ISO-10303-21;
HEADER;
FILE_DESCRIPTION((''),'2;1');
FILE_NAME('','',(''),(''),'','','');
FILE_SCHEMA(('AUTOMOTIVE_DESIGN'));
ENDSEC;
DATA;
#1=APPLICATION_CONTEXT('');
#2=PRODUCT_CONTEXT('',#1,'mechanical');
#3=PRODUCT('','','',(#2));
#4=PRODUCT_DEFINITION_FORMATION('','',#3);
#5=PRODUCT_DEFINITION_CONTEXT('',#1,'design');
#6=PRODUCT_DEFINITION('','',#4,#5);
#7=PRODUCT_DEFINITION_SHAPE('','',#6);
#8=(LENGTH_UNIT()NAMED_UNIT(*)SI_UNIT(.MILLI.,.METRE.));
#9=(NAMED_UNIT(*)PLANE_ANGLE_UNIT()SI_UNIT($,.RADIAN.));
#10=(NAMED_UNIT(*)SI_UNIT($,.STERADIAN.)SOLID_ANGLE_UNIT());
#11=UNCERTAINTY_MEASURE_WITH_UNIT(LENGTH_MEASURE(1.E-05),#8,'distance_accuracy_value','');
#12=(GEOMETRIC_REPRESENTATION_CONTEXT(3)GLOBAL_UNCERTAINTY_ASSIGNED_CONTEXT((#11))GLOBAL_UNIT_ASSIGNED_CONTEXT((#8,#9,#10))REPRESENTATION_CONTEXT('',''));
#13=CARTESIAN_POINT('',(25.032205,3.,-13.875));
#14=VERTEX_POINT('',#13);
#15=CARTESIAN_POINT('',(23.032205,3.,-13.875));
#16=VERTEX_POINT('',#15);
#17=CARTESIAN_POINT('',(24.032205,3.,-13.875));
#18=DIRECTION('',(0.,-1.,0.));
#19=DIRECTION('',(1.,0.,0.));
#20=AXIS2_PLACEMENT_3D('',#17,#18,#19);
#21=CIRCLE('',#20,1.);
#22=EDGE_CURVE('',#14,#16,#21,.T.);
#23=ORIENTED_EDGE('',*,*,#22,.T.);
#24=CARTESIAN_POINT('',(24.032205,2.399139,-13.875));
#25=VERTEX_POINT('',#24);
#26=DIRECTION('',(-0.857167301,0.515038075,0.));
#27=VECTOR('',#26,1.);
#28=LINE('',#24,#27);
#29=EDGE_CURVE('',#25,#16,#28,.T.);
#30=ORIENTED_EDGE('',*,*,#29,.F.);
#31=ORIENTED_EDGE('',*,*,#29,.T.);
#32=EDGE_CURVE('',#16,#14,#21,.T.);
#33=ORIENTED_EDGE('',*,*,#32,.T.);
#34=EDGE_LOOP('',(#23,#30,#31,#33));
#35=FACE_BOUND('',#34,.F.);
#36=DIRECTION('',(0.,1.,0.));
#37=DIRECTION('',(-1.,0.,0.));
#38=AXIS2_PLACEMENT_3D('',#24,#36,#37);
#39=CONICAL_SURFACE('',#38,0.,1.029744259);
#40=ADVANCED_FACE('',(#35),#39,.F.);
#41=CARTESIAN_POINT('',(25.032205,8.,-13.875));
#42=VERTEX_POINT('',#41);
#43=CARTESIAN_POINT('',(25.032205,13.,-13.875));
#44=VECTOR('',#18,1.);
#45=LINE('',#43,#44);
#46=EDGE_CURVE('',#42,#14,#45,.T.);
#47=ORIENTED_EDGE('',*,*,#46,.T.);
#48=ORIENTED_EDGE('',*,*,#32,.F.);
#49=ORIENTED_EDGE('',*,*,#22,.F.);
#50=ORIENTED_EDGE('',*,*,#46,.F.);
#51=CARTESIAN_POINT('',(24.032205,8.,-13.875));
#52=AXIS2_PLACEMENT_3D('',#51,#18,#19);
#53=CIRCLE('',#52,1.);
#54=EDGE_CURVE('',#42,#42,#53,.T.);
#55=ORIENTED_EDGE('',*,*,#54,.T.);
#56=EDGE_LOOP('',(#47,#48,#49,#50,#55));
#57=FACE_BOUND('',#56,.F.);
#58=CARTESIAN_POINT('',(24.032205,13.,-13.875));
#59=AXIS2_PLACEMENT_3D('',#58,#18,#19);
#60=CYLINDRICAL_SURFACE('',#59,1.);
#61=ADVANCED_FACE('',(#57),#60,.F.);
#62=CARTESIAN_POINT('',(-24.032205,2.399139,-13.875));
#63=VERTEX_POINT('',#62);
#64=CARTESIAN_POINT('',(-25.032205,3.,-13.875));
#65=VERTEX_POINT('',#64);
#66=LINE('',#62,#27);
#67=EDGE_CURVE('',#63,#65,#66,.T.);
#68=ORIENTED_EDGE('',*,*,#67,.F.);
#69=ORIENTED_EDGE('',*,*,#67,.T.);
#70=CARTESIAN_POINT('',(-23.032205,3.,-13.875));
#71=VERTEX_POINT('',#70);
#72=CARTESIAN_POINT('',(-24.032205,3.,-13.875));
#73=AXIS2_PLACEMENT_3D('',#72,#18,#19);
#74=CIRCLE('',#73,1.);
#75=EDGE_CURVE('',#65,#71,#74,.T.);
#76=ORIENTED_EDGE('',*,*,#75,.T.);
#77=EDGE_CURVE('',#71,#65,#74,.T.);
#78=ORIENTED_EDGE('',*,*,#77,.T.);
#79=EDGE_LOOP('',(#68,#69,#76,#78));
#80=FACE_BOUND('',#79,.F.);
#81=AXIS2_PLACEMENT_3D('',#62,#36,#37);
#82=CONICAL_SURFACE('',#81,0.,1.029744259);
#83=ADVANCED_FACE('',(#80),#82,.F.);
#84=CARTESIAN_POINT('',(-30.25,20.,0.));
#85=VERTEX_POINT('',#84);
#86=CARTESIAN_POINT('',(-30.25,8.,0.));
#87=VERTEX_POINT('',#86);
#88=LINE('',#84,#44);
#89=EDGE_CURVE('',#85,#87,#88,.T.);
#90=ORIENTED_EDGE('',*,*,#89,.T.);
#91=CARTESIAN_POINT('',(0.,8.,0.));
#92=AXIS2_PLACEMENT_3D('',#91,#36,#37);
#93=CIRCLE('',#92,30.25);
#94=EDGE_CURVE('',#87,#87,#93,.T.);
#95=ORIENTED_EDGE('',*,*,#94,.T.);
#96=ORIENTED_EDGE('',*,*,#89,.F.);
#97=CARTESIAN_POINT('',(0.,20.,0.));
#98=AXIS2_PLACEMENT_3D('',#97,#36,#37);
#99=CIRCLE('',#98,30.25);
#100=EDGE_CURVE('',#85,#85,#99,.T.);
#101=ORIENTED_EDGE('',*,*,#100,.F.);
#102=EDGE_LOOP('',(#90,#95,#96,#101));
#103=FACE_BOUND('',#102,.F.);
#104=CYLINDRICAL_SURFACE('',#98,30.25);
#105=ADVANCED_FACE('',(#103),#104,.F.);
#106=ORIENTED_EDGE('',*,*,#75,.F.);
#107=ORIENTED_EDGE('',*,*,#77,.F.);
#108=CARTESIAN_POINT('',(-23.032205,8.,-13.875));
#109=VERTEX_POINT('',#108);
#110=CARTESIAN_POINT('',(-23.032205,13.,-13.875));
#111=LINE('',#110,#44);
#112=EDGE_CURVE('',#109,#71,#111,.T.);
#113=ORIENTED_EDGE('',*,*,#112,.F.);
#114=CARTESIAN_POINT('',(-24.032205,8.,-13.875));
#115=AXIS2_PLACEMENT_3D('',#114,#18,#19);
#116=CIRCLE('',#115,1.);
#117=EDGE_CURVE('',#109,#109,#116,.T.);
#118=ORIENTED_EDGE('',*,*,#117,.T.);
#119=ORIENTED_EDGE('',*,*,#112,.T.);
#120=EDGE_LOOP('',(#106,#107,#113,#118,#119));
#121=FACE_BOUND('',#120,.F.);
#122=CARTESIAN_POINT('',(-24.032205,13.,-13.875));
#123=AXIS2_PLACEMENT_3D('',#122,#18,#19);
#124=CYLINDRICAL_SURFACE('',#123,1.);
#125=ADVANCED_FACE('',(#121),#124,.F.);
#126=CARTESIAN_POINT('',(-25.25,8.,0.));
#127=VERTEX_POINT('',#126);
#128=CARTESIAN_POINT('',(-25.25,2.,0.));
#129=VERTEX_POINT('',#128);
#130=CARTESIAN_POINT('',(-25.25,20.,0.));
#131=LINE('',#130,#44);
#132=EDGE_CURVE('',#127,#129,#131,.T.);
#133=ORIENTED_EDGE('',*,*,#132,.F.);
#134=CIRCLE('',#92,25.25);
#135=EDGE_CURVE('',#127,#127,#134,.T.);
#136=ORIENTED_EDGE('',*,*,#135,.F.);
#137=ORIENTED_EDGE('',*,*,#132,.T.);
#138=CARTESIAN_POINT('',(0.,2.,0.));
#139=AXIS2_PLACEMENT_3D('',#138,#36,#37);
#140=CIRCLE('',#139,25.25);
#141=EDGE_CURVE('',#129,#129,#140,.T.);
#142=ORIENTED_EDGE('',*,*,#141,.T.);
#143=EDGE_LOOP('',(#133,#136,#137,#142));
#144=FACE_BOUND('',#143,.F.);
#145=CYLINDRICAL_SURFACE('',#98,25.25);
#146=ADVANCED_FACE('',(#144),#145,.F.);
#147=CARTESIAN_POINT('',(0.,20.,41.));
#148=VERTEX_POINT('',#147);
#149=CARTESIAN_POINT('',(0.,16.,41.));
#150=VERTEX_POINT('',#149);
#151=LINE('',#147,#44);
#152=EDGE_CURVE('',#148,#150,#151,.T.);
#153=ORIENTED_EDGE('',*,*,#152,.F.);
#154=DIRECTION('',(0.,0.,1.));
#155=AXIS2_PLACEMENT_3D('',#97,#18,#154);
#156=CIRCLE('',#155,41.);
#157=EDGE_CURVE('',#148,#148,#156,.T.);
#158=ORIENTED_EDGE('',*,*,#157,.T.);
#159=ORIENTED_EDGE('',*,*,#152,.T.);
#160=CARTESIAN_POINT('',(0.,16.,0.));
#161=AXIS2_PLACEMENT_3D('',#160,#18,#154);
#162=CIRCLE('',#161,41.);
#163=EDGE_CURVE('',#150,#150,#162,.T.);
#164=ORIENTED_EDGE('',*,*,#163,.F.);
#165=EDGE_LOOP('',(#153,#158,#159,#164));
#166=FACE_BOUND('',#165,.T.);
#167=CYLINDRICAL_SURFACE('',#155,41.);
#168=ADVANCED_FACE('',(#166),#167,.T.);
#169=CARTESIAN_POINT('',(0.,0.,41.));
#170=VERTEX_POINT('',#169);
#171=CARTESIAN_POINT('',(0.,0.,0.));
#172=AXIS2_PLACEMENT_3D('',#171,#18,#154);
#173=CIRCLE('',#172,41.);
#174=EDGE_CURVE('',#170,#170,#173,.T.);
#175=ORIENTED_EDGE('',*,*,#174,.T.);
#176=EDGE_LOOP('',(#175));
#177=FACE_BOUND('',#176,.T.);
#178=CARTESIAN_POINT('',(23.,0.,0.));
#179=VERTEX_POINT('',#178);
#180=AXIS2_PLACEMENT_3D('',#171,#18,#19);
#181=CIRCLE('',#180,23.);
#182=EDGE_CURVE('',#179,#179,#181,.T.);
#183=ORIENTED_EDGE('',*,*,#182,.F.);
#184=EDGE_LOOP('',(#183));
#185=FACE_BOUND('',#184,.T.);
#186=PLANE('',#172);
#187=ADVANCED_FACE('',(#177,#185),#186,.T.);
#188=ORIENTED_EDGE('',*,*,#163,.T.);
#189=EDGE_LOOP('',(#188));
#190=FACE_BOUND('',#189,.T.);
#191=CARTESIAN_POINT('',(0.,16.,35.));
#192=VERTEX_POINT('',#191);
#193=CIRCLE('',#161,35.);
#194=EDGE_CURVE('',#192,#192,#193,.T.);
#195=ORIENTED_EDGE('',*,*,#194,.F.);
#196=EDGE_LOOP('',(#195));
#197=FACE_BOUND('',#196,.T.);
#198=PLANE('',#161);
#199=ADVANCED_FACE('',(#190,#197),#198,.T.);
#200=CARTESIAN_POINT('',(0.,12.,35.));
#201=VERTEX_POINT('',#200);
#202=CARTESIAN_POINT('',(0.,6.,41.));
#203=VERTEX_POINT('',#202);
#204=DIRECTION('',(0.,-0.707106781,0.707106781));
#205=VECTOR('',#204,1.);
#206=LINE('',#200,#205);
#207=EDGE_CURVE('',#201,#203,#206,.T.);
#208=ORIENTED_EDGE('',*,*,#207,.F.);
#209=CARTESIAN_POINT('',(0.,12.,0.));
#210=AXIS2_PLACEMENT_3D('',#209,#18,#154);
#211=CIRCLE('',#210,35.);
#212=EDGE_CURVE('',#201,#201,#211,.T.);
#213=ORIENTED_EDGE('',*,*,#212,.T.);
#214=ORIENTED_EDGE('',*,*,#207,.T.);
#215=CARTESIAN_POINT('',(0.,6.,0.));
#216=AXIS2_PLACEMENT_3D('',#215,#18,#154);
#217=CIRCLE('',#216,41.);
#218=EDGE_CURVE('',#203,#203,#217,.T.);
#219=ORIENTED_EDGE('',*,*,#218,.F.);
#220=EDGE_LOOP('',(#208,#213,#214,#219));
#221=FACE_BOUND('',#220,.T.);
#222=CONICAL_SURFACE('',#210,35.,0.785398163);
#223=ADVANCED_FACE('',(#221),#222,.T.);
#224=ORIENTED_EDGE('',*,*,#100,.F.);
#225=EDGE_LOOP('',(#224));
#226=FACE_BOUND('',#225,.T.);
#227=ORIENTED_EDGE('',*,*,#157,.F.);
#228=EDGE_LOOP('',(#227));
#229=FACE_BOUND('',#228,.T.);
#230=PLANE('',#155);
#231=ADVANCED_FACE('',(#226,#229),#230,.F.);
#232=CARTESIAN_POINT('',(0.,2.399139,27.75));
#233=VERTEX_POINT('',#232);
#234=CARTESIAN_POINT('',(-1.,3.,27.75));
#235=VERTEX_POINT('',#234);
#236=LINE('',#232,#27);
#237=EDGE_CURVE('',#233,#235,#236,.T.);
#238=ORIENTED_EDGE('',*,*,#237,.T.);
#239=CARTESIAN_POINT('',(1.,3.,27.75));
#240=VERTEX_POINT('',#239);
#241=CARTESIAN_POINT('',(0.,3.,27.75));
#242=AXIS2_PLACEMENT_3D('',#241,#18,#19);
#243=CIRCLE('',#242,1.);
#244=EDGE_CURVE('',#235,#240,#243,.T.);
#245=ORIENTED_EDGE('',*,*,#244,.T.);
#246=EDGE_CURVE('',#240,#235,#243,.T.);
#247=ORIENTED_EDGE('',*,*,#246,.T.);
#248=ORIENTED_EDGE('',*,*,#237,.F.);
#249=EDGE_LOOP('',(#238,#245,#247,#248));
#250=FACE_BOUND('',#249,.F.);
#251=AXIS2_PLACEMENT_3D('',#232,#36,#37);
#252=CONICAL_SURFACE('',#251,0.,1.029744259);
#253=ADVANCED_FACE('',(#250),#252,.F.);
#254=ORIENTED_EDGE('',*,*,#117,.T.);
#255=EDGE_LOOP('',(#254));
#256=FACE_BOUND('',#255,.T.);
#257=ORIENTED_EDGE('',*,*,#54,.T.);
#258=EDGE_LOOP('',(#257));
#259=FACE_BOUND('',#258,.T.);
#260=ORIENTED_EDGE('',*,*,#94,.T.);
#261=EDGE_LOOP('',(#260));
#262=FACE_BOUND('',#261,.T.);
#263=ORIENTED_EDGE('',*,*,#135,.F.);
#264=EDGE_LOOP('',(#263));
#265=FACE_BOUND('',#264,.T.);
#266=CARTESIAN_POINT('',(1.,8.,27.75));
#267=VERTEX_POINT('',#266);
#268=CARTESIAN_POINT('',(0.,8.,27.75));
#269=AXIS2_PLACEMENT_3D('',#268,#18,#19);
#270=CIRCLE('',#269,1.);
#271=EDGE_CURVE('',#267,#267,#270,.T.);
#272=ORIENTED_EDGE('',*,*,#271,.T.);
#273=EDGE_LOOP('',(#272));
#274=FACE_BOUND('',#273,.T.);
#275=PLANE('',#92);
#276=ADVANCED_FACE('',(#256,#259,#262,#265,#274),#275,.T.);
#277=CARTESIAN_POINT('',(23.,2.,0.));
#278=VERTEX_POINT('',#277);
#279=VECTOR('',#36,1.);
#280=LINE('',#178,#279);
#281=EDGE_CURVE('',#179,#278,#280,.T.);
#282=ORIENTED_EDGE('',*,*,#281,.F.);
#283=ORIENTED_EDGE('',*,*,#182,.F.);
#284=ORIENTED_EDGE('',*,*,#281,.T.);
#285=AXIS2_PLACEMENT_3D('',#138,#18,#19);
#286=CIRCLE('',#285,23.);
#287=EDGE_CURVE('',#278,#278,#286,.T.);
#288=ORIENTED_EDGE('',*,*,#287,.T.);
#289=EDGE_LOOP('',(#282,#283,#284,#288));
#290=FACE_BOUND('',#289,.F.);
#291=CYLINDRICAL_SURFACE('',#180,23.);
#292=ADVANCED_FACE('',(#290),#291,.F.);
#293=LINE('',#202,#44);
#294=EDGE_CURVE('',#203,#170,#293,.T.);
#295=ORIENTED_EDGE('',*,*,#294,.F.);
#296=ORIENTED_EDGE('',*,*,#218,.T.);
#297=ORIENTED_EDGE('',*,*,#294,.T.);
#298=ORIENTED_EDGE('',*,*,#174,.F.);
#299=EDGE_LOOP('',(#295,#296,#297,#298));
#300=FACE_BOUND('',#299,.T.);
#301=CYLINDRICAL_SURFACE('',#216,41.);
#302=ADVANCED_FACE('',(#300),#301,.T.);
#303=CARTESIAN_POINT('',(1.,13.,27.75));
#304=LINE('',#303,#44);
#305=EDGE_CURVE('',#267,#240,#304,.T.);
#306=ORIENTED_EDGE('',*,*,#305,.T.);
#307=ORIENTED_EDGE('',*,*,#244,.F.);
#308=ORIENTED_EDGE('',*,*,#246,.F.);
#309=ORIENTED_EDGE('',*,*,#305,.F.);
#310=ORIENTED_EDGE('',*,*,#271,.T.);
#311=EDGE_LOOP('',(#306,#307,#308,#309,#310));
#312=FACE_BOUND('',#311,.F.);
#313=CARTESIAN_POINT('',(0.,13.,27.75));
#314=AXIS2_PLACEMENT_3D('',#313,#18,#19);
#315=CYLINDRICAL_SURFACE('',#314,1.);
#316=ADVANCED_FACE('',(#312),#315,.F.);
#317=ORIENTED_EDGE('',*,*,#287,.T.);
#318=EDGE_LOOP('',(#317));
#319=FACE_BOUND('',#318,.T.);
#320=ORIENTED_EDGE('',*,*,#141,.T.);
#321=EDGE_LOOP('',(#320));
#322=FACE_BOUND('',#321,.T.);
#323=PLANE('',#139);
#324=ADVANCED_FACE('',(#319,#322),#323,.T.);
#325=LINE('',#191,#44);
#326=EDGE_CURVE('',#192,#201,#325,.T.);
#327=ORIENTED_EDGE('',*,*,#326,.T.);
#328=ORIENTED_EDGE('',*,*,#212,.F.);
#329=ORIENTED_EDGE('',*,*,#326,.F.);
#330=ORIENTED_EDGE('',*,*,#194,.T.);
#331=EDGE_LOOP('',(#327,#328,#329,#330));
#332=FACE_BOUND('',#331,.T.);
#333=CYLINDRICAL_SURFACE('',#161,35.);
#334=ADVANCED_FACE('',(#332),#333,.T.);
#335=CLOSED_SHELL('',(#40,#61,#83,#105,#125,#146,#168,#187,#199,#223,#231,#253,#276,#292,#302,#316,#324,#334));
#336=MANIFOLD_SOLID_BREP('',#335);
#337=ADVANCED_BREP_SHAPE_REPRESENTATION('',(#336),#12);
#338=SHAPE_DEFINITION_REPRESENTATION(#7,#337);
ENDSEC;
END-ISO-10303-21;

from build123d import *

# Parameters (mm, degrees)
F2_R     = 25.25
F3_DEPTH = 18
F4_R     = 23
F5_DEPTH = 2
F6_R     = 30.25
F6_R_2   = 25.25
F7_DEPTH = 12
F9_D     = 2
F9_DEPTH = 5
F9_TIP   = 0.600860619


with BuildPart() as f1:
    # F0 (on Right) → F1 (revolve)
    with BuildSketch(Plane.YZ):
        Polygon((0, 41), (0, 0), (20, 0), (20, 41), (16, 41), (16, 35), (12, 35), (6, 41), align=None)
    revolve(axis=Axis((0, 10, 0), (0, -1, 0)))

    # F2 (on face) → F3 (cut)
    with BuildSketch(Plane(origin=(0, 20, 0), x_dir=(-1, 0, 0), z_dir=(0, 1, 0))):
        Circle(F2_R)
    extrude(amount=-F3_DEPTH, mode=Mode.SUBTRACT)

    # F4 (on face) → F5 (cut, through all)
    with BuildSketch(Plane.XZ):
        Circle(F4_R)
    extrude(amount=-F5_DEPTH, mode=Mode.SUBTRACT)

    # F6 (on face) → F7 (cut)
    with BuildSketch(Plane(origin=(0, 20, 0), x_dir=(-1, 0, 0), z_dir=(0, 1, 0))):
        Circle(F6_R)
        Circle(F6_R_2, mode=Mode.SUBTRACT)
    extrude(amount=-F7_DEPTH, mode=Mode.SUBTRACT)

    # F9
    with Locations(Plane(origin=(0, 8, 0), x_dir=(-1, 0, 0), z_dir=(0, 1, 0))):
        with Locations((0, 27.75), (24.032204955, -13.875), (-24.032204955, -13.875)):
            Hole(F9_D / 2, depth=F9_DEPTH)
            with Locations((0, 0, -(F9_DEPTH + F9_TIP / 2))):  # 118° drill point
                Cone(0, F9_D / 2, F9_TIP, mode=Mode.SUBTRACT)


solid = f1.part
